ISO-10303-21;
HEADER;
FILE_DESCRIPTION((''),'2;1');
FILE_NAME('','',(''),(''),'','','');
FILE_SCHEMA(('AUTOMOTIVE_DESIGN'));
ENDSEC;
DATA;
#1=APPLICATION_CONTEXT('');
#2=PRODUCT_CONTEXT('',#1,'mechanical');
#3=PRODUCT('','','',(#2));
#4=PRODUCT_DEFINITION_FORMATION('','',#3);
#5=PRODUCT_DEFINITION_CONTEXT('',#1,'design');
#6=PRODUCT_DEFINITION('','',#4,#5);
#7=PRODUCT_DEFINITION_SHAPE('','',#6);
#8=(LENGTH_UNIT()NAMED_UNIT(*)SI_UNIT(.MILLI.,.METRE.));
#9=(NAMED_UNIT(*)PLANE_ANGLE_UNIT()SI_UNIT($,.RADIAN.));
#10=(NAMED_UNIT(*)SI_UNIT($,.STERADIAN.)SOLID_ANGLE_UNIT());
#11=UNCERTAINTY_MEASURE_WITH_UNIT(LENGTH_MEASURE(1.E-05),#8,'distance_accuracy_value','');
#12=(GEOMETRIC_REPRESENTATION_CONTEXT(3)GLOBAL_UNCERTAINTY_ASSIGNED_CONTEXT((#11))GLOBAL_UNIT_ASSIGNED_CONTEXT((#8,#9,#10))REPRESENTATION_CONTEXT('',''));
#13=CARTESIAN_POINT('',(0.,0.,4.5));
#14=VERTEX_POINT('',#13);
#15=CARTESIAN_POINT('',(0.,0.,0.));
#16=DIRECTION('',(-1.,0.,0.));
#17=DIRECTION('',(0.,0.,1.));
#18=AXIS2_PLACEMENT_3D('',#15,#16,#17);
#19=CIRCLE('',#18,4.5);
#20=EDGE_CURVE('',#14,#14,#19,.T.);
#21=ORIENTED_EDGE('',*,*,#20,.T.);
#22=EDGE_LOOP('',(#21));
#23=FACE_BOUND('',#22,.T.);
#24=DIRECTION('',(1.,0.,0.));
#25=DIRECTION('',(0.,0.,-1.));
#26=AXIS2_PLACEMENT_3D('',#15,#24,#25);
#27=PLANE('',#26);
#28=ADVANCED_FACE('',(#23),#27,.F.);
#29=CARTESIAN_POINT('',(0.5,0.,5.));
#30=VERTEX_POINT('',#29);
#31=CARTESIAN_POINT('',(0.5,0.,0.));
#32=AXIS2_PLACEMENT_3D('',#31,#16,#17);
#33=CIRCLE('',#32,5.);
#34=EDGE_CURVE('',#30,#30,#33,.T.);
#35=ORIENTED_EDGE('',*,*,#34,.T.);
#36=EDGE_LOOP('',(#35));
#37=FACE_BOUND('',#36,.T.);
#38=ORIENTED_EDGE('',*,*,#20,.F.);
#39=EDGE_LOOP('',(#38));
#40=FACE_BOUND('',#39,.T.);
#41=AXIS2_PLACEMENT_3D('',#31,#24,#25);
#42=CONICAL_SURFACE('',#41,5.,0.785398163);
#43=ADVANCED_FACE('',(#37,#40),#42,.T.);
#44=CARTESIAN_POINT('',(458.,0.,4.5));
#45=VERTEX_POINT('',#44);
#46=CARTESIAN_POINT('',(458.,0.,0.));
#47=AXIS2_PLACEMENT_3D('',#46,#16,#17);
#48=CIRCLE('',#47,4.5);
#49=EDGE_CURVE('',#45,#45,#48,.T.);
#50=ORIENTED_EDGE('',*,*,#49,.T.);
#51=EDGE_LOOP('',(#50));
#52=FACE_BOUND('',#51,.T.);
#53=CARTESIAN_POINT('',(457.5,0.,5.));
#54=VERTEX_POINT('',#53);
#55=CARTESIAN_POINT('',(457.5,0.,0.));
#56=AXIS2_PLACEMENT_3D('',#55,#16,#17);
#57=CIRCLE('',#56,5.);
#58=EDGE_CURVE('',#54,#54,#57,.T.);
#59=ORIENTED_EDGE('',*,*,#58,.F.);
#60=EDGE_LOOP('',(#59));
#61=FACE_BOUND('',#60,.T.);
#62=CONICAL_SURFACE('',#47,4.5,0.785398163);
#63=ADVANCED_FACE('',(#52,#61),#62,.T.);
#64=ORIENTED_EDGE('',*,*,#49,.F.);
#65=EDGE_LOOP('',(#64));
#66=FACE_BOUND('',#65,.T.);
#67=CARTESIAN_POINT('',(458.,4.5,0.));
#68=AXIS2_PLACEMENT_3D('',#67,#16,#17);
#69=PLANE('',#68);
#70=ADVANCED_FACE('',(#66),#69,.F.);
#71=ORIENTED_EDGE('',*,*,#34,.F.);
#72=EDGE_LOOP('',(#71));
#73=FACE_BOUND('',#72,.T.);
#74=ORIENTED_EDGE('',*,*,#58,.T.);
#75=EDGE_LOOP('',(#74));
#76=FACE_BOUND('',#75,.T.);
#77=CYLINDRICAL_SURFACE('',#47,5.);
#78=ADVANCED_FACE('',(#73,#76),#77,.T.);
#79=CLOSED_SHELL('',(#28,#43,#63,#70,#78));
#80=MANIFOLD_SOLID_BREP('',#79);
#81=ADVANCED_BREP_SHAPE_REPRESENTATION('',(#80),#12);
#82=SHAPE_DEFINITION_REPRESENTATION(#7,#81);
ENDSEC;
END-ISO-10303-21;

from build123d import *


with BuildPart() as part:
    # Sketch1 → Revolve1 (revolve)
    with BuildSketch(Plane.XY):
        Polygon((0, 0), (0, 4.5), (0.5, 5), (457.5, 5), (458, 4.5), (458, 0), align=None)
    revolve(axis=Axis((458, 0, 0), (-1, 0, 0)))


solid = part.part
